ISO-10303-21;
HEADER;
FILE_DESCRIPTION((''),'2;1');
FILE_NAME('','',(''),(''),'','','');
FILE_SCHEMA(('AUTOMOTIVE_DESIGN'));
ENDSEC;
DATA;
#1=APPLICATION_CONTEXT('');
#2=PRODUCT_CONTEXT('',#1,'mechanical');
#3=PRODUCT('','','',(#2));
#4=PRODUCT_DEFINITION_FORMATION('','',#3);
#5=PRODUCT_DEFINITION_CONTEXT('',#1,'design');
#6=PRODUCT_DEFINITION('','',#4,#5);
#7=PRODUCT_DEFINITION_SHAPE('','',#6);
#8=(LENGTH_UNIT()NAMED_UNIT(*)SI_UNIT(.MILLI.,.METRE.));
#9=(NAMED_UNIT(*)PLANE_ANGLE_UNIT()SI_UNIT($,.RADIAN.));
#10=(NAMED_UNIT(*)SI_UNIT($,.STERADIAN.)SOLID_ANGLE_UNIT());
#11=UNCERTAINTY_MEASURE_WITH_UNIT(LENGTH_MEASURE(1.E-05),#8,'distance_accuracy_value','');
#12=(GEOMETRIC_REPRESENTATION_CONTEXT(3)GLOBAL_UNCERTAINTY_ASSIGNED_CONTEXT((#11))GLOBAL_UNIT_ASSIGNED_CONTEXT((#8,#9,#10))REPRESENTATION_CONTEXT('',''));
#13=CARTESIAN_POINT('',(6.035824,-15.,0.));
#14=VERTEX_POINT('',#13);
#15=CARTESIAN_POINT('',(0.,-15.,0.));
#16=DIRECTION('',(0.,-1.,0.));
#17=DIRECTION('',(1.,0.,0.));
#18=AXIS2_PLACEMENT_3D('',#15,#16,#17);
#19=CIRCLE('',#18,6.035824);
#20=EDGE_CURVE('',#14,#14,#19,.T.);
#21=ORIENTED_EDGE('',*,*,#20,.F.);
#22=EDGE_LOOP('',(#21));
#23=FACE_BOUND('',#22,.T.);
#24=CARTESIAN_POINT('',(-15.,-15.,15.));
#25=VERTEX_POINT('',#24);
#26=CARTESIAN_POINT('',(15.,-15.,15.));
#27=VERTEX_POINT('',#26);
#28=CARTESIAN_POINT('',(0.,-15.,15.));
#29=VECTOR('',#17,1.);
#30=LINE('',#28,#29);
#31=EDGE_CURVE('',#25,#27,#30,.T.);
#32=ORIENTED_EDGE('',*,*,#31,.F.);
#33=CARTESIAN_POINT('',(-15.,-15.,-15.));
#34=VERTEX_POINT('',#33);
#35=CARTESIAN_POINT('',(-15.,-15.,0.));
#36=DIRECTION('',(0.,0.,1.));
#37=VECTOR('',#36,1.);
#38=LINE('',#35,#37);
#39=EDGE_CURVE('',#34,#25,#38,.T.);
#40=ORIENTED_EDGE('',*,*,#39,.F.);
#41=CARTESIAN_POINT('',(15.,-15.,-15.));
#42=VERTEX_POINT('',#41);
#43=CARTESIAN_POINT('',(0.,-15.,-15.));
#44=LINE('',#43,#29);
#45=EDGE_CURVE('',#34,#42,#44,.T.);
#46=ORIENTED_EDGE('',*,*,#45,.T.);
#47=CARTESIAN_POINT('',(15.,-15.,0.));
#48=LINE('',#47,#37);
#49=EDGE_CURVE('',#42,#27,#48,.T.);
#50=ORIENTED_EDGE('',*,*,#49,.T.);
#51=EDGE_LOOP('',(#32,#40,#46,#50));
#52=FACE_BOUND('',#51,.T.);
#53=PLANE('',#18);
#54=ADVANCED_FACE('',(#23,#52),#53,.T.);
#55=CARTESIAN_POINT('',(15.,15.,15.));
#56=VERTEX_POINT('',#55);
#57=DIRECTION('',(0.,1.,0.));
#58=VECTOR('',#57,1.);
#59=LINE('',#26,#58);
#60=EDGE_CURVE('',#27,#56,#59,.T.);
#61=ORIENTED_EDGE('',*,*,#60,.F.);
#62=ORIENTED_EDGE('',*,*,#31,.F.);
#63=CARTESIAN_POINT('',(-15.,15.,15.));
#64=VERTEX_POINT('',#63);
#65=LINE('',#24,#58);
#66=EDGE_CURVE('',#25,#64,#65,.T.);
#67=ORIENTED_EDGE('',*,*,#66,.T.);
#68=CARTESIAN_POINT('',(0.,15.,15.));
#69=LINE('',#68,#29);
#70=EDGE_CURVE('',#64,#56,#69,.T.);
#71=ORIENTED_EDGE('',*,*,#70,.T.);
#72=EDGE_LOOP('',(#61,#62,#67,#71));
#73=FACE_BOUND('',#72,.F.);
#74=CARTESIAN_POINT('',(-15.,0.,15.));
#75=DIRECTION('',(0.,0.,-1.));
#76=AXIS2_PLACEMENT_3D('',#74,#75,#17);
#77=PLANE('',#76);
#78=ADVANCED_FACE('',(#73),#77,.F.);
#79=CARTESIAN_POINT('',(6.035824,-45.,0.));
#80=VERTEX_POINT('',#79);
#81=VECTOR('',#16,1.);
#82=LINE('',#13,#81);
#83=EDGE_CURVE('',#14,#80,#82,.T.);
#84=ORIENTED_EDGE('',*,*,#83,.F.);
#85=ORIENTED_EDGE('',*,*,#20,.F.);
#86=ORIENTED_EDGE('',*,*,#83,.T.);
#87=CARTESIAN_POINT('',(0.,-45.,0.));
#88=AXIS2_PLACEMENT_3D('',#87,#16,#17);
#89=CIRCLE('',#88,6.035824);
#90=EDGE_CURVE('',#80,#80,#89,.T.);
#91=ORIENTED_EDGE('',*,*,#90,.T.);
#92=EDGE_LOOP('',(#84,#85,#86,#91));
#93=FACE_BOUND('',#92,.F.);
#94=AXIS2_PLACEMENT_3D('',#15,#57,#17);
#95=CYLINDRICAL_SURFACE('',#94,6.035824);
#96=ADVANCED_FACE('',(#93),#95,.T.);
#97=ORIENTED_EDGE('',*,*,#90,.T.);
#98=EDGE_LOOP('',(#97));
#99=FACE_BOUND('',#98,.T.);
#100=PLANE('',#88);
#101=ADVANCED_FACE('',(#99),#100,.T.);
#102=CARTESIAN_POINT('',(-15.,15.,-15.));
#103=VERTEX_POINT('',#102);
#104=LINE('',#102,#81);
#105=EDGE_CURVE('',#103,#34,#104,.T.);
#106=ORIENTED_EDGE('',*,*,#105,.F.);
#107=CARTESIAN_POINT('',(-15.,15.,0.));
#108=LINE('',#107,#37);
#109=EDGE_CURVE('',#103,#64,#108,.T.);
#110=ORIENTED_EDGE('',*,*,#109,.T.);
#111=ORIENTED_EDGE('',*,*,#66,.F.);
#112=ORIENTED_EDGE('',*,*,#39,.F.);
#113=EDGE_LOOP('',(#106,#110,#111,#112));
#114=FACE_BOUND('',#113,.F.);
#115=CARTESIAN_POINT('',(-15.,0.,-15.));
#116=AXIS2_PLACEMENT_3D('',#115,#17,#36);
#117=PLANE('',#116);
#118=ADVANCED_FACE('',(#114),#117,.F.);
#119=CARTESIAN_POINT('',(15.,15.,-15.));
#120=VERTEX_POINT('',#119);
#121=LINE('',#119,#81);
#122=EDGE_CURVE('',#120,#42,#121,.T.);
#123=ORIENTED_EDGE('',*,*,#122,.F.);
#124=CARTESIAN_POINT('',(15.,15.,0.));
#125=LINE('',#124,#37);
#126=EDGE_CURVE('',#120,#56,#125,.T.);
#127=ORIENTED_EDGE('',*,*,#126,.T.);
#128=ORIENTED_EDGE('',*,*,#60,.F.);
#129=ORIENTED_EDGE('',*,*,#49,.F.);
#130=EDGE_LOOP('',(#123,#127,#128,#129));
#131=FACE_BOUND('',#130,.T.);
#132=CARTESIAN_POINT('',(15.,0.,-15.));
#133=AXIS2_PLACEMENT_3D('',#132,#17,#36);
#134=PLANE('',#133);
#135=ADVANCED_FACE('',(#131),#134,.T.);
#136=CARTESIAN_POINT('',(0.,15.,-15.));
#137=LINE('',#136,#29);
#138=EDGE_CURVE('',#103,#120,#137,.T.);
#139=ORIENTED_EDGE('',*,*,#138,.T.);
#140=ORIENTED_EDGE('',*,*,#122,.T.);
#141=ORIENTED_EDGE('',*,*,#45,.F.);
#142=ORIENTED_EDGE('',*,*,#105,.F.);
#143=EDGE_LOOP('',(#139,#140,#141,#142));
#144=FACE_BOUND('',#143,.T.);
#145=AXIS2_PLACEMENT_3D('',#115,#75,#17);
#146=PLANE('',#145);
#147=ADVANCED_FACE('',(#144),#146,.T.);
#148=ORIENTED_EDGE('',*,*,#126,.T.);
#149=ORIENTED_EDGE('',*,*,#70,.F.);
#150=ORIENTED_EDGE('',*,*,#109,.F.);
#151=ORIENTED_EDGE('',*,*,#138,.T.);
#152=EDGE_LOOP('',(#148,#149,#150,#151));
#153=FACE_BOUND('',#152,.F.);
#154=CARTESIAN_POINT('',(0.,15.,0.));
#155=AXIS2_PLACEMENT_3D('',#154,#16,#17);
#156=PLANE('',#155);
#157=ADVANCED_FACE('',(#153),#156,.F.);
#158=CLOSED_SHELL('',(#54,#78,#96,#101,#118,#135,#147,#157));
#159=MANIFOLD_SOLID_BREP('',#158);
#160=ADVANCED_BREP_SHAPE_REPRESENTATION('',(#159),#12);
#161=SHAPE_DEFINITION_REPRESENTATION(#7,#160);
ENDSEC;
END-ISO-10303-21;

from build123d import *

# Parameters (mm, degrees)
F0_W     = 30
F0_H     = 30
F1_DEPTH = 15
F2_R     = 6.035824
F3_DEPTH = 30


with BuildPart() as f1:
    # F0 (on Front) → F1 (new body, symmetric)
    with BuildSketch(Plane.XZ):
        Rectangle(F0_W, F0_H)
    extrude(amount=F1_DEPTH, both=True)

    # F2 (on face) → F3 (join)
    with BuildSketch(Plane.XZ.offset(15)):
        Circle(F2_R)
    extrude(amount=F3_DEPTH)


solid = f1.part
